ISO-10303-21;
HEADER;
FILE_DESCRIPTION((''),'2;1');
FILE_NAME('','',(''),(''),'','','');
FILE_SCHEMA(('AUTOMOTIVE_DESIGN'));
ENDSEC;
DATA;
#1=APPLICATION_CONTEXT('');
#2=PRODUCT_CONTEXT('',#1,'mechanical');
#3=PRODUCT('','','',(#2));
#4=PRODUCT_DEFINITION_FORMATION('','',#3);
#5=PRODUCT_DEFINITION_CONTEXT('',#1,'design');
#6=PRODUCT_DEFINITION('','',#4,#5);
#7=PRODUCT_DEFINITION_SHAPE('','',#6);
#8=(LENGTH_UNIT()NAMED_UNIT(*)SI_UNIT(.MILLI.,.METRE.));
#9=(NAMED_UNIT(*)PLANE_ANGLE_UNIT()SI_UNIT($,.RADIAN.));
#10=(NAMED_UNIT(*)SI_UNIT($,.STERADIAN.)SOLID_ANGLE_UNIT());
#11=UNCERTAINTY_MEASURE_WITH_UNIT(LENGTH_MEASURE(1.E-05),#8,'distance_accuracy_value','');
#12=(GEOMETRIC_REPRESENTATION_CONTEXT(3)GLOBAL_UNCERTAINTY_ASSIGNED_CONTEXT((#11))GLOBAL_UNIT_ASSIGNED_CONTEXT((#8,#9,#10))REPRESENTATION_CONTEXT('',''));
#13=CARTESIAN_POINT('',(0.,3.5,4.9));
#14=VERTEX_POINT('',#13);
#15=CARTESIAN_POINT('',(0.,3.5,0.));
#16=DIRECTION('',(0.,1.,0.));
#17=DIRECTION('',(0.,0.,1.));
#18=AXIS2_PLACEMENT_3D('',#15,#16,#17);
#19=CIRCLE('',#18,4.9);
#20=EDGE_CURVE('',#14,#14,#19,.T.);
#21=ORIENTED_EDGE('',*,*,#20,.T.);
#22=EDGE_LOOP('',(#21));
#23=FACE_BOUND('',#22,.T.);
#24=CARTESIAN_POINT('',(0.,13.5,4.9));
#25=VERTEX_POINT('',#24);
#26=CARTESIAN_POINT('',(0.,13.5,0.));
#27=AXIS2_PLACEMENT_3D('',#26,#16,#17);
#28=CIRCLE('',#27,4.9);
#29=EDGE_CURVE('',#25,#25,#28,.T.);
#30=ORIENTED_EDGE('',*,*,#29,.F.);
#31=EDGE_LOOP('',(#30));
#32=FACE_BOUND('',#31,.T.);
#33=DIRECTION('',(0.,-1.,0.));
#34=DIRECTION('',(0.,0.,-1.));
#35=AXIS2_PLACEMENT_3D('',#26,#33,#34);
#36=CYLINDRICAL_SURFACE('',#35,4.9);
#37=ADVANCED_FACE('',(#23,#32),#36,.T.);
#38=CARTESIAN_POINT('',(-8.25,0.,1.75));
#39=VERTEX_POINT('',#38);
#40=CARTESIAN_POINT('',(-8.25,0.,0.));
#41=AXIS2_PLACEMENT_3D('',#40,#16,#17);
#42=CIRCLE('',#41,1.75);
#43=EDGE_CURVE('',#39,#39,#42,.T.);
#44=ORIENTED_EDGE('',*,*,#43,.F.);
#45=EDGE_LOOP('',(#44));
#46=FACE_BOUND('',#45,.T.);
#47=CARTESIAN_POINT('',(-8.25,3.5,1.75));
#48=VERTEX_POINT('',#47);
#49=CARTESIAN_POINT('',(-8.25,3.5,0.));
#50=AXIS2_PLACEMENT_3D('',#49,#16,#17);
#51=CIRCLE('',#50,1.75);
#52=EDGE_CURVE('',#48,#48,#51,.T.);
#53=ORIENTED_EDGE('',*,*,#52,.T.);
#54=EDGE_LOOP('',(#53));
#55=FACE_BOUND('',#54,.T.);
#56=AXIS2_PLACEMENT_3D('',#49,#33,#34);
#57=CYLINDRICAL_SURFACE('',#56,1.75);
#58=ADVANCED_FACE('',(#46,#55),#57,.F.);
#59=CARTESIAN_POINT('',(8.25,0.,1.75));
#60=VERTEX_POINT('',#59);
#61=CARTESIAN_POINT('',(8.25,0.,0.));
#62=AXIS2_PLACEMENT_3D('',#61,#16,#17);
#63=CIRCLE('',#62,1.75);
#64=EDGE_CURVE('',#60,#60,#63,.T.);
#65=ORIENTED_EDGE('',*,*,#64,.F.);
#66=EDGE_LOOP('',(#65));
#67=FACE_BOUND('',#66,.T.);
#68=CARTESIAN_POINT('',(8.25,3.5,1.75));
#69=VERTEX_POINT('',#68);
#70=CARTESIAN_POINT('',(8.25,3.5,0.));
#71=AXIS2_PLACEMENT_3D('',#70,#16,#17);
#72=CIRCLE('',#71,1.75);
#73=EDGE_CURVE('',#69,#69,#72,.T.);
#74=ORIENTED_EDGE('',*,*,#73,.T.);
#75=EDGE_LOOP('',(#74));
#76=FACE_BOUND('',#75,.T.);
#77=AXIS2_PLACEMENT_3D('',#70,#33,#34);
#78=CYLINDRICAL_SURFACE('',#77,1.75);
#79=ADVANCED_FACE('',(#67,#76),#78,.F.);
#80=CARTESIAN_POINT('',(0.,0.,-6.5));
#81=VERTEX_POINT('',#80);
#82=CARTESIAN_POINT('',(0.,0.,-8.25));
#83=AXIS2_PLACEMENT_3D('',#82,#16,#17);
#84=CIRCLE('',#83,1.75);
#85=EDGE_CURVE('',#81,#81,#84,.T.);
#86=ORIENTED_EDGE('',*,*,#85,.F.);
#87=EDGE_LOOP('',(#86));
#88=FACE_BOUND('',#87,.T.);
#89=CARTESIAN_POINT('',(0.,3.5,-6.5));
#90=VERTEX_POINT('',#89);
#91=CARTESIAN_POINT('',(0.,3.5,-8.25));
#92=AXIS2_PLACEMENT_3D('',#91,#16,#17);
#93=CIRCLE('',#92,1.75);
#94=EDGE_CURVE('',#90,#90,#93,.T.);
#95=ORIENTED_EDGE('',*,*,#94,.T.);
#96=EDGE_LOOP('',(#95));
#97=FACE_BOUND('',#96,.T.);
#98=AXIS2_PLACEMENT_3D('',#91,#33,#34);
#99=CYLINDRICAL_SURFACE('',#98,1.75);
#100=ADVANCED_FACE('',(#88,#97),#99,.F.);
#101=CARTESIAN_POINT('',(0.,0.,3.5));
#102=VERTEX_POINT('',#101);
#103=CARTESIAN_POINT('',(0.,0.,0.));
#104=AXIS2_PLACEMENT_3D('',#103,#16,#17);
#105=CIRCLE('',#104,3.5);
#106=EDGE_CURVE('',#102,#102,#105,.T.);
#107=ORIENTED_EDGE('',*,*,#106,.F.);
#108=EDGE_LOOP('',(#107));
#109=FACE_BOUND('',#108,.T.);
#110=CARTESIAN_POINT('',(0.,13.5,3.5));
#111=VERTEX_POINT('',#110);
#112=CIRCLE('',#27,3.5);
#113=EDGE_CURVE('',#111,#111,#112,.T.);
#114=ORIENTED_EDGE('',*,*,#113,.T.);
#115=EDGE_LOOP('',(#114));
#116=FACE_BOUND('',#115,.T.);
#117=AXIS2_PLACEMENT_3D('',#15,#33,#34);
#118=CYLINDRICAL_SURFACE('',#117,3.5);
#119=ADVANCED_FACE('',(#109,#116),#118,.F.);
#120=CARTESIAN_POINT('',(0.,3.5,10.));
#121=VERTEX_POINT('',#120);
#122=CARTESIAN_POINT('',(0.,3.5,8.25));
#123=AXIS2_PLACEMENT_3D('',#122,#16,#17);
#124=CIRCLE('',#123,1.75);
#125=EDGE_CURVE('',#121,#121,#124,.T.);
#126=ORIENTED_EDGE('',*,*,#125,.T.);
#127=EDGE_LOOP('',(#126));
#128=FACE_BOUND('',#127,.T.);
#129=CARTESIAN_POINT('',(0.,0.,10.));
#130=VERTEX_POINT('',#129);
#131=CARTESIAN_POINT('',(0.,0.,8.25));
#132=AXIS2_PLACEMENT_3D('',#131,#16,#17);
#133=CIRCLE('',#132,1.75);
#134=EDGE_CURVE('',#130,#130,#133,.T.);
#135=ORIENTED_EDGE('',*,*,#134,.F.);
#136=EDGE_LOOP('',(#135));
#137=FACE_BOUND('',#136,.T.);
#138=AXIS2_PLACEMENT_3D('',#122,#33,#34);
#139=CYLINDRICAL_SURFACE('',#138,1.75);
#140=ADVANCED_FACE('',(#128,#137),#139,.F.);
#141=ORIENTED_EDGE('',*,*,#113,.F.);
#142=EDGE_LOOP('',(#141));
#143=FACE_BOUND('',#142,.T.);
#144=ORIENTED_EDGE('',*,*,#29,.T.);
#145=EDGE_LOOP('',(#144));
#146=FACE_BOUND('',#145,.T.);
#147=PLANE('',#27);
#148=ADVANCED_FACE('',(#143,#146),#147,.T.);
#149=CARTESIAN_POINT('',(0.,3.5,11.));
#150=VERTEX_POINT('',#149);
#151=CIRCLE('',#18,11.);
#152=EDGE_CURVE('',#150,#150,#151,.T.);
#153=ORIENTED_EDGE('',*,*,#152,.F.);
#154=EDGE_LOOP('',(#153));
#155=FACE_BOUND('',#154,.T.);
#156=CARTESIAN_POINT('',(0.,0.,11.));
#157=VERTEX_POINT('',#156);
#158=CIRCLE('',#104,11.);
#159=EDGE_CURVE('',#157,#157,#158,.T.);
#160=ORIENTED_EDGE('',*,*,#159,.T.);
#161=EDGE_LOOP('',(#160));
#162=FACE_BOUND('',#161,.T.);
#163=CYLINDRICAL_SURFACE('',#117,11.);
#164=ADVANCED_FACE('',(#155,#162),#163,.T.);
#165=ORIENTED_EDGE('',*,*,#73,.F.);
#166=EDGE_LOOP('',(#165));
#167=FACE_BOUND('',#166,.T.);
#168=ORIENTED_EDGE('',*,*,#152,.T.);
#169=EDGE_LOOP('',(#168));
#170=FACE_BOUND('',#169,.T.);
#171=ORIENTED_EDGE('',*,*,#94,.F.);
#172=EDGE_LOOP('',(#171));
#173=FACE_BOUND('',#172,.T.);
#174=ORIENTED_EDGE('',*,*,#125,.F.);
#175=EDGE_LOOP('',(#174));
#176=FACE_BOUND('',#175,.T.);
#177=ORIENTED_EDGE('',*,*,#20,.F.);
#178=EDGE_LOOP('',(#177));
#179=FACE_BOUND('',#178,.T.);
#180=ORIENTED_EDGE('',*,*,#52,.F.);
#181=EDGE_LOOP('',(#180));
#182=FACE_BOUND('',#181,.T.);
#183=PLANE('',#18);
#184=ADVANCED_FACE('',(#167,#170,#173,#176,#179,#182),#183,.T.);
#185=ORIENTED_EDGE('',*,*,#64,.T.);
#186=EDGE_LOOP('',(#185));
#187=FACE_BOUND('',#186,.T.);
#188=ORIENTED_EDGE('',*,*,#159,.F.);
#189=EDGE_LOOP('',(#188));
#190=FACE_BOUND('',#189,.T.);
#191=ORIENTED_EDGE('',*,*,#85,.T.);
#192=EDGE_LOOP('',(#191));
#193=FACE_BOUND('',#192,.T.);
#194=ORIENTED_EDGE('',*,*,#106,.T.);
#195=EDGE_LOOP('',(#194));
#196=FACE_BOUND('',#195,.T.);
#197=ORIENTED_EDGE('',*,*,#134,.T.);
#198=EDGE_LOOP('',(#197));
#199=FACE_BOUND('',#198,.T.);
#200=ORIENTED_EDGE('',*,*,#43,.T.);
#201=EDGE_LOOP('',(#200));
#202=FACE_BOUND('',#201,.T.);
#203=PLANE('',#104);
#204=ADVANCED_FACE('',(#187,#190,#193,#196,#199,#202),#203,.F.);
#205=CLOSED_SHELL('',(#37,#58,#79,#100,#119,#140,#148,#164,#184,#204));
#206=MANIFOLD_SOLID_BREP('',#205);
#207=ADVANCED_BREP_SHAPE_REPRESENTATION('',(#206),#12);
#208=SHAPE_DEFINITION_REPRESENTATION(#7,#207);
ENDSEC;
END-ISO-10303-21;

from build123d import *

# Parameters (mm, degrees)
CROQUIS1_R              = 11
CROQUIS1_R_2            = 3.5
CROQUIS1_R_3            = 1.75
SALIENTE_EXTRUIR1_DEPTH = 3.5
CROQUIS2_R              = 4.9
CROQUIS2_R_2            = 3.5
SALIENTE_EXTRUIR2_DEPTH = 10


with BuildPart() as part:
    # Croquis1 → Saliente-Extruir1 (new body)
    with BuildSketch(Plane(origin=(0, 0, 0), x_dir=(1, 0, 0), z_dir=(0, 1, 0))):
        with Locations(Location((0, 0, 0), (0, 0, 270))):
            Circle(CROQUIS1_R)
        with Locations(Location((0, 0, 0), (0, 0, 270))):
            Circle(CROQUIS1_R_2, mode=Mode.SUBTRACT)
        with Locations(Location((8.25, 0, 0), (0, 0, 270))):
            Circle(CROQUIS1_R_3, mode=Mode.SUBTRACT)
        with Locations(Location((0, 8.25, 0), (0, 0, 270))):
            Circle(CROQUIS1_R_3, mode=Mode.SUBTRACT)
        with Locations(Location((-8.25, 0, 0), (0, 0, 270))):
            Circle(CROQUIS1_R_3, mode=Mode.SUBTRACT)
        with Locations(Location((0, -8.25, 0), (0, 0, 270))):
            Circle(CROQUIS1_R_3, mode=Mode.SUBTRACT)
    extrude(amount=SALIENTE_EXTRUIR1_DEPTH)

    # Croquis2 → Saliente-Extruir2 (add)
    with BuildSketch(Plane(origin=(0, 3.5, 0), x_dir=(1, 0, 0), z_dir=(0, 1, 0))):
        with Locations(Location((0, 0, 0), (0, 0, 270))):
            Circle(CROQUIS2_R)
        with Locations(Location((0, 0, 0), (0, 0, 270))):
            Circle(CROQUIS2_R_2, mode=Mode.SUBTRACT)
    extrude(amount=SALIENTE_EXTRUIR2_DEPTH)


solid = part.part
